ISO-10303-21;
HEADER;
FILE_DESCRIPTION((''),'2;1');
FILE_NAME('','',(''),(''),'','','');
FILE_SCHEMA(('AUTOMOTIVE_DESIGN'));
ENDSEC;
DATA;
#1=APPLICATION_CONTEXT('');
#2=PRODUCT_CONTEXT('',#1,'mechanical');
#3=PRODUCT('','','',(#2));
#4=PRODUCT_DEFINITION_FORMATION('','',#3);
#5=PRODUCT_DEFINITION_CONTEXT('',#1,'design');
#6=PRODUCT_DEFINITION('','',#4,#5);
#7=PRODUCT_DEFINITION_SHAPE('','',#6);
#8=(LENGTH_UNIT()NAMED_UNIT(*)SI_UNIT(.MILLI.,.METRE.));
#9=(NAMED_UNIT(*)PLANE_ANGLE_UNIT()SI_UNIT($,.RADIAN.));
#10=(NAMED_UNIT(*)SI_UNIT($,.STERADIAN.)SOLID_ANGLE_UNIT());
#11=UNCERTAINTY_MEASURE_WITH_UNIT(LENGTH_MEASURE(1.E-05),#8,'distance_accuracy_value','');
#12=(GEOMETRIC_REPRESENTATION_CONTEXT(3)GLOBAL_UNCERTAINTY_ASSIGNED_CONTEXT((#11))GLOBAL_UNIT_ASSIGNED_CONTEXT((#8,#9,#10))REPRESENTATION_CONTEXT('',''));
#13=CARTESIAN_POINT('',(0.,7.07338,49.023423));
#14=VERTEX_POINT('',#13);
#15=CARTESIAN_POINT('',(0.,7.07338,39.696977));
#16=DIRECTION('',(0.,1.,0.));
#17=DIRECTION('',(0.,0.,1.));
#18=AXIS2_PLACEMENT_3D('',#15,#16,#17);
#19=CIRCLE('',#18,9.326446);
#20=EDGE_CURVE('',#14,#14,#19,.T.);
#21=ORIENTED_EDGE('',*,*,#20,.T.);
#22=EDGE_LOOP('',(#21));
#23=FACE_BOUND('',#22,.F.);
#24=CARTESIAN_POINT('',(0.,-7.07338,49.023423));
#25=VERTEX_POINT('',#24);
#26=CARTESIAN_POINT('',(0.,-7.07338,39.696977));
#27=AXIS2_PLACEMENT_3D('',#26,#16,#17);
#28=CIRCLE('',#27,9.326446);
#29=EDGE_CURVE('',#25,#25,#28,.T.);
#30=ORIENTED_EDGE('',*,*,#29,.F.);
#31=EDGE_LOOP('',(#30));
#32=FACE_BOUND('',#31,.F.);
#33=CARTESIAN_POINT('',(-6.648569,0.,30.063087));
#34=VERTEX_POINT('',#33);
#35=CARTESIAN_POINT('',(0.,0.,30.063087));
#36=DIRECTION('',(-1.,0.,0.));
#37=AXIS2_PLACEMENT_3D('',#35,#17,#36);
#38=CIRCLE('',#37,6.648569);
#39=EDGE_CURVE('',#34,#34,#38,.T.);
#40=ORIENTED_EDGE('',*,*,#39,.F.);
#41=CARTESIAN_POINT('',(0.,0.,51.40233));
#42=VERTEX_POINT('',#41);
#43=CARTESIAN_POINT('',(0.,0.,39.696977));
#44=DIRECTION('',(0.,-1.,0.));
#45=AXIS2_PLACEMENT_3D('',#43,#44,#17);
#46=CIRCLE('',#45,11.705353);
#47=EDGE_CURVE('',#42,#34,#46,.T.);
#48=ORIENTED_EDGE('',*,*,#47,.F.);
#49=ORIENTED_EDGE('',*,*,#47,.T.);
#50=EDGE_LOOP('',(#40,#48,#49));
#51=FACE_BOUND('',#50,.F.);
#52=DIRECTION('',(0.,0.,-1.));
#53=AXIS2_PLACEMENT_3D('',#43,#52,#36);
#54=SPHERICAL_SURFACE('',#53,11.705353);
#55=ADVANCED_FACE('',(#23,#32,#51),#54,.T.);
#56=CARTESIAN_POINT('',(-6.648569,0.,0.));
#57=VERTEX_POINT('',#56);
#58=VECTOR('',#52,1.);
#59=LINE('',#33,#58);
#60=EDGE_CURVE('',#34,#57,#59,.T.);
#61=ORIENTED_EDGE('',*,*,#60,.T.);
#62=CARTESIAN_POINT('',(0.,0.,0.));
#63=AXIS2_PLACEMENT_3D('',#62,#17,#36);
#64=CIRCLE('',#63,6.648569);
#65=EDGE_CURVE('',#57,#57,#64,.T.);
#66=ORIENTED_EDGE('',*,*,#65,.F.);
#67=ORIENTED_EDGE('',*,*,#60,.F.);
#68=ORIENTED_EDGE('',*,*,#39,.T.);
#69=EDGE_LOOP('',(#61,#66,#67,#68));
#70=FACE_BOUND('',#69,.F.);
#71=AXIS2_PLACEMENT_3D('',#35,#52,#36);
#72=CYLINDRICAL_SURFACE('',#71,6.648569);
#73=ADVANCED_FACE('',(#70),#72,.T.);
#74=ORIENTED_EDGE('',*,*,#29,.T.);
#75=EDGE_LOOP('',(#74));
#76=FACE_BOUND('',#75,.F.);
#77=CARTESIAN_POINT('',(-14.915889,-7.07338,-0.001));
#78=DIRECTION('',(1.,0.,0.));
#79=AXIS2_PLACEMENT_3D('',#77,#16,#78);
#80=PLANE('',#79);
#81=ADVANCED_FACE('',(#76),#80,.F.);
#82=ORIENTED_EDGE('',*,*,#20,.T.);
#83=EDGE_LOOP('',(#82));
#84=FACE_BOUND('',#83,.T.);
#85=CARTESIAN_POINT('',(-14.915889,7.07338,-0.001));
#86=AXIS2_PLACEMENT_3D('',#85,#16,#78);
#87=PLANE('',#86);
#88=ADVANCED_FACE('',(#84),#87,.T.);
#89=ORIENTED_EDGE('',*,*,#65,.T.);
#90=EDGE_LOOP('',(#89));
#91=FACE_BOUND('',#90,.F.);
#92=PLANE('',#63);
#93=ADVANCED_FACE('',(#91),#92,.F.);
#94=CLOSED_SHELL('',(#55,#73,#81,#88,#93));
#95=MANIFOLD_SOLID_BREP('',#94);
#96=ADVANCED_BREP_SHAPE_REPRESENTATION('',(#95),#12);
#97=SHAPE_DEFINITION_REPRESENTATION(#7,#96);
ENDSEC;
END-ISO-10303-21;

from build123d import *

# Parameters (mm, degrees)
F4_START = -30.001
F3_W     = 29.8317782581
F3_H     = 14.1467591748
F4_DEPTH = 51.4043297554


with BuildPart() as f1:
    # F0 (on Front) → F1 (revolve)
    with BuildSketch(Plane.XZ):
        with BuildLine():
            Line((-6.6485689022, 30.0630871207), (-6.6485689022, 0))
            Line((-6.6485689022, 0), (0, 0))
            Line((0, 0), (0, 51.4023297554))
            ThreePointArc((0, 51.4023297554), (-11.1754948959, 43.1788736793), (-6.6485689022, 30.0630871207))
        make_face()
    revolve(axis=Axis((0, 0, -8.4801893681), (0, 0, 1)))

    # F3 (on offset) → F4 (intersect)
    with BuildSketch(Plane.XY.offset(30).offset(F4_START)):
        Rectangle(F3_W, F3_H)
    extrude(amount=F4_DEPTH, mode=Mode.INTERSECT)


solid = f1.part
